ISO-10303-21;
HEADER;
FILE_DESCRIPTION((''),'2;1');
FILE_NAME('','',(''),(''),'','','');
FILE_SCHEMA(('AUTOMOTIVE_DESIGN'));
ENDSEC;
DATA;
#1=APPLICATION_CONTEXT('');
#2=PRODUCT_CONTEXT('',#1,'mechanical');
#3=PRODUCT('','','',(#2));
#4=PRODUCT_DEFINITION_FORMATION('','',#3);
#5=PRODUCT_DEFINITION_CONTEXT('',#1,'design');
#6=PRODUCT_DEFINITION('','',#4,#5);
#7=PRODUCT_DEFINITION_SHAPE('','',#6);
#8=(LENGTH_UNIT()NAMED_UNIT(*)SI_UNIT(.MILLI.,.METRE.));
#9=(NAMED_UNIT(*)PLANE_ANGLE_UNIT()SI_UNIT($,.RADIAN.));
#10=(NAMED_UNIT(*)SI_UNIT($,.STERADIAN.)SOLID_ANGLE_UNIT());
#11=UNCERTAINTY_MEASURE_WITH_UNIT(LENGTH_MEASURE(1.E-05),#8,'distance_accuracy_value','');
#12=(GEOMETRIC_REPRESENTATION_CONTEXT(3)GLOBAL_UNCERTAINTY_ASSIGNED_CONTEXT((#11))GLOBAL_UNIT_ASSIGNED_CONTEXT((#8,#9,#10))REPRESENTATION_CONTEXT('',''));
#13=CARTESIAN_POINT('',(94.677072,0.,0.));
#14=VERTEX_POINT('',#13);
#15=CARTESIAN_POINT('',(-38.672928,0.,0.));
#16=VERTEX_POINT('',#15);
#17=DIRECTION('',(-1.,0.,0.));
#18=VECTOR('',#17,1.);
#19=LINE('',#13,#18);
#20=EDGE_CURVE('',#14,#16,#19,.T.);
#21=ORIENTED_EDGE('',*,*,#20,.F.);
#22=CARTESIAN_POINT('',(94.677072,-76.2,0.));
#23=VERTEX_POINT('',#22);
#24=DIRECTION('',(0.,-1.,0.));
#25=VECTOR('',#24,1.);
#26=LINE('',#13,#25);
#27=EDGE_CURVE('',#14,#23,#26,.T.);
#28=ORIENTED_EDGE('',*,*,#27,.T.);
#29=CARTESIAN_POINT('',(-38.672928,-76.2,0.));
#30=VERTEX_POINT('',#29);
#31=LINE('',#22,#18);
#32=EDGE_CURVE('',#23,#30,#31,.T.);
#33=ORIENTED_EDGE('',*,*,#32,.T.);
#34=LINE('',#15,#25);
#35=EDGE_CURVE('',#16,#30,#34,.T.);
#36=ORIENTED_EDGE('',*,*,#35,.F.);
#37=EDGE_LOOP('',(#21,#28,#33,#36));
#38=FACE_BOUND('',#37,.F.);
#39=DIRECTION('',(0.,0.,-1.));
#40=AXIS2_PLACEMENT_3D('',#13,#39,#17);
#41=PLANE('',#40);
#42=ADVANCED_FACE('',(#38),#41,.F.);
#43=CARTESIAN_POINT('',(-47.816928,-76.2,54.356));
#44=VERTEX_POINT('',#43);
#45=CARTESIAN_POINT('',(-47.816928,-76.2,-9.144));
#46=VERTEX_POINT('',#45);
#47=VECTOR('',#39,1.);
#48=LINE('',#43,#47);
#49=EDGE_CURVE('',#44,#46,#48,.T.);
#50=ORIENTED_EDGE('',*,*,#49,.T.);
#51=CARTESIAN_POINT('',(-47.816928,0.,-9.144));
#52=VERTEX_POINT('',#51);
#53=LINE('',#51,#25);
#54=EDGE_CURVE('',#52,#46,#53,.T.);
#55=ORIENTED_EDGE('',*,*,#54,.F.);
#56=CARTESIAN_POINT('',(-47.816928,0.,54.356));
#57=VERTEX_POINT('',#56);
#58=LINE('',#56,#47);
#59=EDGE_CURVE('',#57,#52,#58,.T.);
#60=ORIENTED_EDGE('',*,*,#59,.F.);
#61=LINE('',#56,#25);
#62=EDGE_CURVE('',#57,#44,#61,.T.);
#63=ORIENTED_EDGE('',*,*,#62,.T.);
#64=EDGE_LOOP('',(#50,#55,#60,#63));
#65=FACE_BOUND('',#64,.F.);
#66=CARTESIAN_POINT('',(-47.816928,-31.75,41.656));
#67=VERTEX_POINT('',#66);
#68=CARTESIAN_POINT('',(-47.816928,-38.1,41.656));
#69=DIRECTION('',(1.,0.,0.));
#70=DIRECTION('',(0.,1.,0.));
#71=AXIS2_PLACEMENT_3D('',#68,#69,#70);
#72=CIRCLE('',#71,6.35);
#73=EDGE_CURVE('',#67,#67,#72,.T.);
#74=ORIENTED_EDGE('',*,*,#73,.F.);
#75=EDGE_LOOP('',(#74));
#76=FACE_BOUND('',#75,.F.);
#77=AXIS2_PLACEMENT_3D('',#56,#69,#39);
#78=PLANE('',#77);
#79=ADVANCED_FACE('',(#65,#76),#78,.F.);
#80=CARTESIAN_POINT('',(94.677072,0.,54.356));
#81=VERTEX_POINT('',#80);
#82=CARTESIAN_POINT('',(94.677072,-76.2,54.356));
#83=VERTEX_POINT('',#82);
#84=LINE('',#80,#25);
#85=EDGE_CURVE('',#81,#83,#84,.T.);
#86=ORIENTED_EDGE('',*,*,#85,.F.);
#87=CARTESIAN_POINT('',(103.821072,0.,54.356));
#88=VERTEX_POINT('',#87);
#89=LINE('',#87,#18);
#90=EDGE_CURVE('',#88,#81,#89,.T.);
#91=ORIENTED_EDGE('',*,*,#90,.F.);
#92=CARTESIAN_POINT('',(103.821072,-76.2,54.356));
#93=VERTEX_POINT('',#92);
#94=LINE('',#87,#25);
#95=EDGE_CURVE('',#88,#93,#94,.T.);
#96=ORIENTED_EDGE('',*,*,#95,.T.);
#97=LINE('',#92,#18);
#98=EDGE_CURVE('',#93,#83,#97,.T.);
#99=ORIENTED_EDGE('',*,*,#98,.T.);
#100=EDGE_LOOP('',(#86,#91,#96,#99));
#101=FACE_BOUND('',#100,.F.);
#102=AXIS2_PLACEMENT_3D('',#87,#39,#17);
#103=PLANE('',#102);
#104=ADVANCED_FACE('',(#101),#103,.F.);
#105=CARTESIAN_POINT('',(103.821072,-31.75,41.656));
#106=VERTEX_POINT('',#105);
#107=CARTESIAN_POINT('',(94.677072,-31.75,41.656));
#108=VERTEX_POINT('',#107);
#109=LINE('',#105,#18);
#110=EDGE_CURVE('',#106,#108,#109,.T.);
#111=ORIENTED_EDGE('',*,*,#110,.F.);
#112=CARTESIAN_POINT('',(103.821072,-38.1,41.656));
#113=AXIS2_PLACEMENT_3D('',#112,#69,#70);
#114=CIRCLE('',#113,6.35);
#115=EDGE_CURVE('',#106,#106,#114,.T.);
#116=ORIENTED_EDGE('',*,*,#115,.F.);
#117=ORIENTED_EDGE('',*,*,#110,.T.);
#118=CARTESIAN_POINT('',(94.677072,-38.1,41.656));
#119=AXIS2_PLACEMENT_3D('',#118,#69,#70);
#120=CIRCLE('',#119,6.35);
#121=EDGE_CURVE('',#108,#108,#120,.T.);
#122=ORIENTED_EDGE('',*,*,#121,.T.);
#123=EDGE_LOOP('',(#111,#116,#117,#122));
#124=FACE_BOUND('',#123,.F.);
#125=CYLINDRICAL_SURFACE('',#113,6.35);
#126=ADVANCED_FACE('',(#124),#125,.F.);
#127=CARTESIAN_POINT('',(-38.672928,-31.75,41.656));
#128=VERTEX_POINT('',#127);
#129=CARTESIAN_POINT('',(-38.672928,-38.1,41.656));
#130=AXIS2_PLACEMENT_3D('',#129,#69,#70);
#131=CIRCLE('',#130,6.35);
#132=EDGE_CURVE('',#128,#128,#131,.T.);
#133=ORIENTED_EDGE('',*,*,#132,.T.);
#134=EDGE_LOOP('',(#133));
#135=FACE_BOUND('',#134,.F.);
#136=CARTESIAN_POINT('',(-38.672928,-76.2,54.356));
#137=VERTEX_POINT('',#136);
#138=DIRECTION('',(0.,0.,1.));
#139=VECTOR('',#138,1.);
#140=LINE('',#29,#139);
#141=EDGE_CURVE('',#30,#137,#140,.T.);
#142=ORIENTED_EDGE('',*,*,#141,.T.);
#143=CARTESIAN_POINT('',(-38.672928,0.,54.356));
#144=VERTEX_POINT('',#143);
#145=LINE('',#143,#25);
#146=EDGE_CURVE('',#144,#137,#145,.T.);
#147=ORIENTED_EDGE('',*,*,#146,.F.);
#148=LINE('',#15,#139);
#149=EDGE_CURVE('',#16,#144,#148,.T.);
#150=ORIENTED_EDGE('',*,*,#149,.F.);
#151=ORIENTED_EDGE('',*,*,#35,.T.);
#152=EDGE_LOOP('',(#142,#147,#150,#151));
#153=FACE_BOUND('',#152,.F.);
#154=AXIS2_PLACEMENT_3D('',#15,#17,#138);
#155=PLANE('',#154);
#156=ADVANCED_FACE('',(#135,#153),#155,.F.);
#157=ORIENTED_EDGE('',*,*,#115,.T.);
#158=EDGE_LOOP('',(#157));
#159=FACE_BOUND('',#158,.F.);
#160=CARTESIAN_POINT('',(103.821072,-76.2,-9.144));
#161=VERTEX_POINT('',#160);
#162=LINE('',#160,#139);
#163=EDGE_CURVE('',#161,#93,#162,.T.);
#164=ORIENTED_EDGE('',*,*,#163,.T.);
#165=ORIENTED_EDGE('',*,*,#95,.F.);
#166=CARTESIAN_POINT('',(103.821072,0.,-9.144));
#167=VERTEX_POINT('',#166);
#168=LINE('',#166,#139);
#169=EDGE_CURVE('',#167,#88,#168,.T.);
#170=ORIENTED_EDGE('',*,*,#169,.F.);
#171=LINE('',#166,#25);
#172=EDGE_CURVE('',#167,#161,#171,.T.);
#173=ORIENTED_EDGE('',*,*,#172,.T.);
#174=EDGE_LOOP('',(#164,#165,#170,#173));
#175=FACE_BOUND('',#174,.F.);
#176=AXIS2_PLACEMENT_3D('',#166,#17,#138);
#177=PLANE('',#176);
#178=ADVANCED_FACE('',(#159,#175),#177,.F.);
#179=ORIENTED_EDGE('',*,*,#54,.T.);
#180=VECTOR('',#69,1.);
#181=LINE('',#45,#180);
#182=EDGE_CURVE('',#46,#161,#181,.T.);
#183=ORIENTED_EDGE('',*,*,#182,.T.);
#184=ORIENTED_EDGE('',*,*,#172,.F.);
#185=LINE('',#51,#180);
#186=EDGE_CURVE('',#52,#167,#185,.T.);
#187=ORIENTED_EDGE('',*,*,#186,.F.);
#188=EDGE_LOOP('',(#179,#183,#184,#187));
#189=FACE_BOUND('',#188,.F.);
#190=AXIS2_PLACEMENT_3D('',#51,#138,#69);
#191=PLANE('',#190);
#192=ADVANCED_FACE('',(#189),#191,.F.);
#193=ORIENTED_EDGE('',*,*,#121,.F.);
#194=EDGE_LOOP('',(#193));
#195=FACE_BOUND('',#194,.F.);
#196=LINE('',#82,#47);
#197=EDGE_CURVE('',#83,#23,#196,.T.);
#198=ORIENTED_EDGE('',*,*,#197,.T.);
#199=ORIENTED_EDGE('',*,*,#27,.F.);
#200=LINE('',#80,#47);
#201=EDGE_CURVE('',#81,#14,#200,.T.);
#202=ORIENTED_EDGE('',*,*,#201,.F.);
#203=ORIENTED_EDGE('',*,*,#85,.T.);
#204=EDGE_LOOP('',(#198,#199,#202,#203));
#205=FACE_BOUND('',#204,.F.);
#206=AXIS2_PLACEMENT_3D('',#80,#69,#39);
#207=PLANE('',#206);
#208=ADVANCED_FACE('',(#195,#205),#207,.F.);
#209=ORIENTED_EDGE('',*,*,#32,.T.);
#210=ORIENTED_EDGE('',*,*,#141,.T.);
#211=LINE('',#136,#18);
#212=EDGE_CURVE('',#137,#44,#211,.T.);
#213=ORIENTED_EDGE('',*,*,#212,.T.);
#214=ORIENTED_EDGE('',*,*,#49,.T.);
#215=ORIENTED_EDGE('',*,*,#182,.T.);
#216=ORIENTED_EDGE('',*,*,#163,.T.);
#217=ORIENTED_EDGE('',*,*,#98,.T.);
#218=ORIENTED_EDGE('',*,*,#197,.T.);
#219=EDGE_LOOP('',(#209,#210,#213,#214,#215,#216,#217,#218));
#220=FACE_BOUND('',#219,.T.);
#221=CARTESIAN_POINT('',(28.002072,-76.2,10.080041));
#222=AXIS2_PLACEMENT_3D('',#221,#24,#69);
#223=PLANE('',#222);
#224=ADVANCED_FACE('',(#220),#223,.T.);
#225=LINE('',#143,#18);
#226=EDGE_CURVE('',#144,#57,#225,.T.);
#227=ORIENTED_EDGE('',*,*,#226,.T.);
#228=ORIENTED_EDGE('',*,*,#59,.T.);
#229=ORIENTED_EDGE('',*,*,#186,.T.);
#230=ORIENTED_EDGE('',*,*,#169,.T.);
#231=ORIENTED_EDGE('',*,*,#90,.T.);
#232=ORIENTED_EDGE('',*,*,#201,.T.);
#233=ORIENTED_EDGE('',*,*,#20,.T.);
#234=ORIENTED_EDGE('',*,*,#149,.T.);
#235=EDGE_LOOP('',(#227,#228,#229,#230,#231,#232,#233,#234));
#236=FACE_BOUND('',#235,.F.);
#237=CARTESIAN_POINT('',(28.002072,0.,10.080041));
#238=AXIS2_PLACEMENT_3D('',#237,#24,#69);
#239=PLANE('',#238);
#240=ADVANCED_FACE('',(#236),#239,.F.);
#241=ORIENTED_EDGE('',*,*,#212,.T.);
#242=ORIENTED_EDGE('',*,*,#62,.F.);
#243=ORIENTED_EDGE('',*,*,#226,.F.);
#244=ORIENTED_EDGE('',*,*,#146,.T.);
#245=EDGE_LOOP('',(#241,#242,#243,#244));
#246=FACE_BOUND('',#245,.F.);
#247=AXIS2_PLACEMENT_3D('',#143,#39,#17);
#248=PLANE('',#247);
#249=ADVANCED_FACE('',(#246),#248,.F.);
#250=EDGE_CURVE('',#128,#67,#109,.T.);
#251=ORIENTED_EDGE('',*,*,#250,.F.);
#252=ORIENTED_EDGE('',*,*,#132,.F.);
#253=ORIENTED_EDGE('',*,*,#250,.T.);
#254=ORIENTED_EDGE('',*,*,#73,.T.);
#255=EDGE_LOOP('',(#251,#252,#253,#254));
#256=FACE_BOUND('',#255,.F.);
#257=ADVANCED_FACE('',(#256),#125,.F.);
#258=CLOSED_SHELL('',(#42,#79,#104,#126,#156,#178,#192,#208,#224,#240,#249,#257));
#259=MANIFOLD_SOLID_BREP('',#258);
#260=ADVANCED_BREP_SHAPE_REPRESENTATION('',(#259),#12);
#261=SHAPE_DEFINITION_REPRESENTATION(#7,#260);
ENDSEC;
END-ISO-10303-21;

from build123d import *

# Parameters (mm, degrees)
F1_DEPTH = 76.2
F2_R     = 6.35
F3_DEPTH = 151.639


with BuildPart() as f1:
    # F0 (on Front) → F1 (new body)
    with BuildSketch(Plane.XZ):
        Polygon((94.677072, 0), (-38.672928, 0), (-38.672928, 54.356), (-47.816928, 54.356), (-47.816928, -9.144), (103.821072, -9.144), (103.821072, 54.356), (94.677072, 54.356), align=None)
    extrude(amount=F1_DEPTH)

    # F2 (on face) → F3 (cut, through all)
    with BuildSketch(Plane.YZ.offset(103.821072)):
        with Locations((-38.1, 41.656)):
            Circle(F2_R)
    extrude(amount=-F3_DEPTH, mode=Mode.SUBTRACT)


solid = f1.part
